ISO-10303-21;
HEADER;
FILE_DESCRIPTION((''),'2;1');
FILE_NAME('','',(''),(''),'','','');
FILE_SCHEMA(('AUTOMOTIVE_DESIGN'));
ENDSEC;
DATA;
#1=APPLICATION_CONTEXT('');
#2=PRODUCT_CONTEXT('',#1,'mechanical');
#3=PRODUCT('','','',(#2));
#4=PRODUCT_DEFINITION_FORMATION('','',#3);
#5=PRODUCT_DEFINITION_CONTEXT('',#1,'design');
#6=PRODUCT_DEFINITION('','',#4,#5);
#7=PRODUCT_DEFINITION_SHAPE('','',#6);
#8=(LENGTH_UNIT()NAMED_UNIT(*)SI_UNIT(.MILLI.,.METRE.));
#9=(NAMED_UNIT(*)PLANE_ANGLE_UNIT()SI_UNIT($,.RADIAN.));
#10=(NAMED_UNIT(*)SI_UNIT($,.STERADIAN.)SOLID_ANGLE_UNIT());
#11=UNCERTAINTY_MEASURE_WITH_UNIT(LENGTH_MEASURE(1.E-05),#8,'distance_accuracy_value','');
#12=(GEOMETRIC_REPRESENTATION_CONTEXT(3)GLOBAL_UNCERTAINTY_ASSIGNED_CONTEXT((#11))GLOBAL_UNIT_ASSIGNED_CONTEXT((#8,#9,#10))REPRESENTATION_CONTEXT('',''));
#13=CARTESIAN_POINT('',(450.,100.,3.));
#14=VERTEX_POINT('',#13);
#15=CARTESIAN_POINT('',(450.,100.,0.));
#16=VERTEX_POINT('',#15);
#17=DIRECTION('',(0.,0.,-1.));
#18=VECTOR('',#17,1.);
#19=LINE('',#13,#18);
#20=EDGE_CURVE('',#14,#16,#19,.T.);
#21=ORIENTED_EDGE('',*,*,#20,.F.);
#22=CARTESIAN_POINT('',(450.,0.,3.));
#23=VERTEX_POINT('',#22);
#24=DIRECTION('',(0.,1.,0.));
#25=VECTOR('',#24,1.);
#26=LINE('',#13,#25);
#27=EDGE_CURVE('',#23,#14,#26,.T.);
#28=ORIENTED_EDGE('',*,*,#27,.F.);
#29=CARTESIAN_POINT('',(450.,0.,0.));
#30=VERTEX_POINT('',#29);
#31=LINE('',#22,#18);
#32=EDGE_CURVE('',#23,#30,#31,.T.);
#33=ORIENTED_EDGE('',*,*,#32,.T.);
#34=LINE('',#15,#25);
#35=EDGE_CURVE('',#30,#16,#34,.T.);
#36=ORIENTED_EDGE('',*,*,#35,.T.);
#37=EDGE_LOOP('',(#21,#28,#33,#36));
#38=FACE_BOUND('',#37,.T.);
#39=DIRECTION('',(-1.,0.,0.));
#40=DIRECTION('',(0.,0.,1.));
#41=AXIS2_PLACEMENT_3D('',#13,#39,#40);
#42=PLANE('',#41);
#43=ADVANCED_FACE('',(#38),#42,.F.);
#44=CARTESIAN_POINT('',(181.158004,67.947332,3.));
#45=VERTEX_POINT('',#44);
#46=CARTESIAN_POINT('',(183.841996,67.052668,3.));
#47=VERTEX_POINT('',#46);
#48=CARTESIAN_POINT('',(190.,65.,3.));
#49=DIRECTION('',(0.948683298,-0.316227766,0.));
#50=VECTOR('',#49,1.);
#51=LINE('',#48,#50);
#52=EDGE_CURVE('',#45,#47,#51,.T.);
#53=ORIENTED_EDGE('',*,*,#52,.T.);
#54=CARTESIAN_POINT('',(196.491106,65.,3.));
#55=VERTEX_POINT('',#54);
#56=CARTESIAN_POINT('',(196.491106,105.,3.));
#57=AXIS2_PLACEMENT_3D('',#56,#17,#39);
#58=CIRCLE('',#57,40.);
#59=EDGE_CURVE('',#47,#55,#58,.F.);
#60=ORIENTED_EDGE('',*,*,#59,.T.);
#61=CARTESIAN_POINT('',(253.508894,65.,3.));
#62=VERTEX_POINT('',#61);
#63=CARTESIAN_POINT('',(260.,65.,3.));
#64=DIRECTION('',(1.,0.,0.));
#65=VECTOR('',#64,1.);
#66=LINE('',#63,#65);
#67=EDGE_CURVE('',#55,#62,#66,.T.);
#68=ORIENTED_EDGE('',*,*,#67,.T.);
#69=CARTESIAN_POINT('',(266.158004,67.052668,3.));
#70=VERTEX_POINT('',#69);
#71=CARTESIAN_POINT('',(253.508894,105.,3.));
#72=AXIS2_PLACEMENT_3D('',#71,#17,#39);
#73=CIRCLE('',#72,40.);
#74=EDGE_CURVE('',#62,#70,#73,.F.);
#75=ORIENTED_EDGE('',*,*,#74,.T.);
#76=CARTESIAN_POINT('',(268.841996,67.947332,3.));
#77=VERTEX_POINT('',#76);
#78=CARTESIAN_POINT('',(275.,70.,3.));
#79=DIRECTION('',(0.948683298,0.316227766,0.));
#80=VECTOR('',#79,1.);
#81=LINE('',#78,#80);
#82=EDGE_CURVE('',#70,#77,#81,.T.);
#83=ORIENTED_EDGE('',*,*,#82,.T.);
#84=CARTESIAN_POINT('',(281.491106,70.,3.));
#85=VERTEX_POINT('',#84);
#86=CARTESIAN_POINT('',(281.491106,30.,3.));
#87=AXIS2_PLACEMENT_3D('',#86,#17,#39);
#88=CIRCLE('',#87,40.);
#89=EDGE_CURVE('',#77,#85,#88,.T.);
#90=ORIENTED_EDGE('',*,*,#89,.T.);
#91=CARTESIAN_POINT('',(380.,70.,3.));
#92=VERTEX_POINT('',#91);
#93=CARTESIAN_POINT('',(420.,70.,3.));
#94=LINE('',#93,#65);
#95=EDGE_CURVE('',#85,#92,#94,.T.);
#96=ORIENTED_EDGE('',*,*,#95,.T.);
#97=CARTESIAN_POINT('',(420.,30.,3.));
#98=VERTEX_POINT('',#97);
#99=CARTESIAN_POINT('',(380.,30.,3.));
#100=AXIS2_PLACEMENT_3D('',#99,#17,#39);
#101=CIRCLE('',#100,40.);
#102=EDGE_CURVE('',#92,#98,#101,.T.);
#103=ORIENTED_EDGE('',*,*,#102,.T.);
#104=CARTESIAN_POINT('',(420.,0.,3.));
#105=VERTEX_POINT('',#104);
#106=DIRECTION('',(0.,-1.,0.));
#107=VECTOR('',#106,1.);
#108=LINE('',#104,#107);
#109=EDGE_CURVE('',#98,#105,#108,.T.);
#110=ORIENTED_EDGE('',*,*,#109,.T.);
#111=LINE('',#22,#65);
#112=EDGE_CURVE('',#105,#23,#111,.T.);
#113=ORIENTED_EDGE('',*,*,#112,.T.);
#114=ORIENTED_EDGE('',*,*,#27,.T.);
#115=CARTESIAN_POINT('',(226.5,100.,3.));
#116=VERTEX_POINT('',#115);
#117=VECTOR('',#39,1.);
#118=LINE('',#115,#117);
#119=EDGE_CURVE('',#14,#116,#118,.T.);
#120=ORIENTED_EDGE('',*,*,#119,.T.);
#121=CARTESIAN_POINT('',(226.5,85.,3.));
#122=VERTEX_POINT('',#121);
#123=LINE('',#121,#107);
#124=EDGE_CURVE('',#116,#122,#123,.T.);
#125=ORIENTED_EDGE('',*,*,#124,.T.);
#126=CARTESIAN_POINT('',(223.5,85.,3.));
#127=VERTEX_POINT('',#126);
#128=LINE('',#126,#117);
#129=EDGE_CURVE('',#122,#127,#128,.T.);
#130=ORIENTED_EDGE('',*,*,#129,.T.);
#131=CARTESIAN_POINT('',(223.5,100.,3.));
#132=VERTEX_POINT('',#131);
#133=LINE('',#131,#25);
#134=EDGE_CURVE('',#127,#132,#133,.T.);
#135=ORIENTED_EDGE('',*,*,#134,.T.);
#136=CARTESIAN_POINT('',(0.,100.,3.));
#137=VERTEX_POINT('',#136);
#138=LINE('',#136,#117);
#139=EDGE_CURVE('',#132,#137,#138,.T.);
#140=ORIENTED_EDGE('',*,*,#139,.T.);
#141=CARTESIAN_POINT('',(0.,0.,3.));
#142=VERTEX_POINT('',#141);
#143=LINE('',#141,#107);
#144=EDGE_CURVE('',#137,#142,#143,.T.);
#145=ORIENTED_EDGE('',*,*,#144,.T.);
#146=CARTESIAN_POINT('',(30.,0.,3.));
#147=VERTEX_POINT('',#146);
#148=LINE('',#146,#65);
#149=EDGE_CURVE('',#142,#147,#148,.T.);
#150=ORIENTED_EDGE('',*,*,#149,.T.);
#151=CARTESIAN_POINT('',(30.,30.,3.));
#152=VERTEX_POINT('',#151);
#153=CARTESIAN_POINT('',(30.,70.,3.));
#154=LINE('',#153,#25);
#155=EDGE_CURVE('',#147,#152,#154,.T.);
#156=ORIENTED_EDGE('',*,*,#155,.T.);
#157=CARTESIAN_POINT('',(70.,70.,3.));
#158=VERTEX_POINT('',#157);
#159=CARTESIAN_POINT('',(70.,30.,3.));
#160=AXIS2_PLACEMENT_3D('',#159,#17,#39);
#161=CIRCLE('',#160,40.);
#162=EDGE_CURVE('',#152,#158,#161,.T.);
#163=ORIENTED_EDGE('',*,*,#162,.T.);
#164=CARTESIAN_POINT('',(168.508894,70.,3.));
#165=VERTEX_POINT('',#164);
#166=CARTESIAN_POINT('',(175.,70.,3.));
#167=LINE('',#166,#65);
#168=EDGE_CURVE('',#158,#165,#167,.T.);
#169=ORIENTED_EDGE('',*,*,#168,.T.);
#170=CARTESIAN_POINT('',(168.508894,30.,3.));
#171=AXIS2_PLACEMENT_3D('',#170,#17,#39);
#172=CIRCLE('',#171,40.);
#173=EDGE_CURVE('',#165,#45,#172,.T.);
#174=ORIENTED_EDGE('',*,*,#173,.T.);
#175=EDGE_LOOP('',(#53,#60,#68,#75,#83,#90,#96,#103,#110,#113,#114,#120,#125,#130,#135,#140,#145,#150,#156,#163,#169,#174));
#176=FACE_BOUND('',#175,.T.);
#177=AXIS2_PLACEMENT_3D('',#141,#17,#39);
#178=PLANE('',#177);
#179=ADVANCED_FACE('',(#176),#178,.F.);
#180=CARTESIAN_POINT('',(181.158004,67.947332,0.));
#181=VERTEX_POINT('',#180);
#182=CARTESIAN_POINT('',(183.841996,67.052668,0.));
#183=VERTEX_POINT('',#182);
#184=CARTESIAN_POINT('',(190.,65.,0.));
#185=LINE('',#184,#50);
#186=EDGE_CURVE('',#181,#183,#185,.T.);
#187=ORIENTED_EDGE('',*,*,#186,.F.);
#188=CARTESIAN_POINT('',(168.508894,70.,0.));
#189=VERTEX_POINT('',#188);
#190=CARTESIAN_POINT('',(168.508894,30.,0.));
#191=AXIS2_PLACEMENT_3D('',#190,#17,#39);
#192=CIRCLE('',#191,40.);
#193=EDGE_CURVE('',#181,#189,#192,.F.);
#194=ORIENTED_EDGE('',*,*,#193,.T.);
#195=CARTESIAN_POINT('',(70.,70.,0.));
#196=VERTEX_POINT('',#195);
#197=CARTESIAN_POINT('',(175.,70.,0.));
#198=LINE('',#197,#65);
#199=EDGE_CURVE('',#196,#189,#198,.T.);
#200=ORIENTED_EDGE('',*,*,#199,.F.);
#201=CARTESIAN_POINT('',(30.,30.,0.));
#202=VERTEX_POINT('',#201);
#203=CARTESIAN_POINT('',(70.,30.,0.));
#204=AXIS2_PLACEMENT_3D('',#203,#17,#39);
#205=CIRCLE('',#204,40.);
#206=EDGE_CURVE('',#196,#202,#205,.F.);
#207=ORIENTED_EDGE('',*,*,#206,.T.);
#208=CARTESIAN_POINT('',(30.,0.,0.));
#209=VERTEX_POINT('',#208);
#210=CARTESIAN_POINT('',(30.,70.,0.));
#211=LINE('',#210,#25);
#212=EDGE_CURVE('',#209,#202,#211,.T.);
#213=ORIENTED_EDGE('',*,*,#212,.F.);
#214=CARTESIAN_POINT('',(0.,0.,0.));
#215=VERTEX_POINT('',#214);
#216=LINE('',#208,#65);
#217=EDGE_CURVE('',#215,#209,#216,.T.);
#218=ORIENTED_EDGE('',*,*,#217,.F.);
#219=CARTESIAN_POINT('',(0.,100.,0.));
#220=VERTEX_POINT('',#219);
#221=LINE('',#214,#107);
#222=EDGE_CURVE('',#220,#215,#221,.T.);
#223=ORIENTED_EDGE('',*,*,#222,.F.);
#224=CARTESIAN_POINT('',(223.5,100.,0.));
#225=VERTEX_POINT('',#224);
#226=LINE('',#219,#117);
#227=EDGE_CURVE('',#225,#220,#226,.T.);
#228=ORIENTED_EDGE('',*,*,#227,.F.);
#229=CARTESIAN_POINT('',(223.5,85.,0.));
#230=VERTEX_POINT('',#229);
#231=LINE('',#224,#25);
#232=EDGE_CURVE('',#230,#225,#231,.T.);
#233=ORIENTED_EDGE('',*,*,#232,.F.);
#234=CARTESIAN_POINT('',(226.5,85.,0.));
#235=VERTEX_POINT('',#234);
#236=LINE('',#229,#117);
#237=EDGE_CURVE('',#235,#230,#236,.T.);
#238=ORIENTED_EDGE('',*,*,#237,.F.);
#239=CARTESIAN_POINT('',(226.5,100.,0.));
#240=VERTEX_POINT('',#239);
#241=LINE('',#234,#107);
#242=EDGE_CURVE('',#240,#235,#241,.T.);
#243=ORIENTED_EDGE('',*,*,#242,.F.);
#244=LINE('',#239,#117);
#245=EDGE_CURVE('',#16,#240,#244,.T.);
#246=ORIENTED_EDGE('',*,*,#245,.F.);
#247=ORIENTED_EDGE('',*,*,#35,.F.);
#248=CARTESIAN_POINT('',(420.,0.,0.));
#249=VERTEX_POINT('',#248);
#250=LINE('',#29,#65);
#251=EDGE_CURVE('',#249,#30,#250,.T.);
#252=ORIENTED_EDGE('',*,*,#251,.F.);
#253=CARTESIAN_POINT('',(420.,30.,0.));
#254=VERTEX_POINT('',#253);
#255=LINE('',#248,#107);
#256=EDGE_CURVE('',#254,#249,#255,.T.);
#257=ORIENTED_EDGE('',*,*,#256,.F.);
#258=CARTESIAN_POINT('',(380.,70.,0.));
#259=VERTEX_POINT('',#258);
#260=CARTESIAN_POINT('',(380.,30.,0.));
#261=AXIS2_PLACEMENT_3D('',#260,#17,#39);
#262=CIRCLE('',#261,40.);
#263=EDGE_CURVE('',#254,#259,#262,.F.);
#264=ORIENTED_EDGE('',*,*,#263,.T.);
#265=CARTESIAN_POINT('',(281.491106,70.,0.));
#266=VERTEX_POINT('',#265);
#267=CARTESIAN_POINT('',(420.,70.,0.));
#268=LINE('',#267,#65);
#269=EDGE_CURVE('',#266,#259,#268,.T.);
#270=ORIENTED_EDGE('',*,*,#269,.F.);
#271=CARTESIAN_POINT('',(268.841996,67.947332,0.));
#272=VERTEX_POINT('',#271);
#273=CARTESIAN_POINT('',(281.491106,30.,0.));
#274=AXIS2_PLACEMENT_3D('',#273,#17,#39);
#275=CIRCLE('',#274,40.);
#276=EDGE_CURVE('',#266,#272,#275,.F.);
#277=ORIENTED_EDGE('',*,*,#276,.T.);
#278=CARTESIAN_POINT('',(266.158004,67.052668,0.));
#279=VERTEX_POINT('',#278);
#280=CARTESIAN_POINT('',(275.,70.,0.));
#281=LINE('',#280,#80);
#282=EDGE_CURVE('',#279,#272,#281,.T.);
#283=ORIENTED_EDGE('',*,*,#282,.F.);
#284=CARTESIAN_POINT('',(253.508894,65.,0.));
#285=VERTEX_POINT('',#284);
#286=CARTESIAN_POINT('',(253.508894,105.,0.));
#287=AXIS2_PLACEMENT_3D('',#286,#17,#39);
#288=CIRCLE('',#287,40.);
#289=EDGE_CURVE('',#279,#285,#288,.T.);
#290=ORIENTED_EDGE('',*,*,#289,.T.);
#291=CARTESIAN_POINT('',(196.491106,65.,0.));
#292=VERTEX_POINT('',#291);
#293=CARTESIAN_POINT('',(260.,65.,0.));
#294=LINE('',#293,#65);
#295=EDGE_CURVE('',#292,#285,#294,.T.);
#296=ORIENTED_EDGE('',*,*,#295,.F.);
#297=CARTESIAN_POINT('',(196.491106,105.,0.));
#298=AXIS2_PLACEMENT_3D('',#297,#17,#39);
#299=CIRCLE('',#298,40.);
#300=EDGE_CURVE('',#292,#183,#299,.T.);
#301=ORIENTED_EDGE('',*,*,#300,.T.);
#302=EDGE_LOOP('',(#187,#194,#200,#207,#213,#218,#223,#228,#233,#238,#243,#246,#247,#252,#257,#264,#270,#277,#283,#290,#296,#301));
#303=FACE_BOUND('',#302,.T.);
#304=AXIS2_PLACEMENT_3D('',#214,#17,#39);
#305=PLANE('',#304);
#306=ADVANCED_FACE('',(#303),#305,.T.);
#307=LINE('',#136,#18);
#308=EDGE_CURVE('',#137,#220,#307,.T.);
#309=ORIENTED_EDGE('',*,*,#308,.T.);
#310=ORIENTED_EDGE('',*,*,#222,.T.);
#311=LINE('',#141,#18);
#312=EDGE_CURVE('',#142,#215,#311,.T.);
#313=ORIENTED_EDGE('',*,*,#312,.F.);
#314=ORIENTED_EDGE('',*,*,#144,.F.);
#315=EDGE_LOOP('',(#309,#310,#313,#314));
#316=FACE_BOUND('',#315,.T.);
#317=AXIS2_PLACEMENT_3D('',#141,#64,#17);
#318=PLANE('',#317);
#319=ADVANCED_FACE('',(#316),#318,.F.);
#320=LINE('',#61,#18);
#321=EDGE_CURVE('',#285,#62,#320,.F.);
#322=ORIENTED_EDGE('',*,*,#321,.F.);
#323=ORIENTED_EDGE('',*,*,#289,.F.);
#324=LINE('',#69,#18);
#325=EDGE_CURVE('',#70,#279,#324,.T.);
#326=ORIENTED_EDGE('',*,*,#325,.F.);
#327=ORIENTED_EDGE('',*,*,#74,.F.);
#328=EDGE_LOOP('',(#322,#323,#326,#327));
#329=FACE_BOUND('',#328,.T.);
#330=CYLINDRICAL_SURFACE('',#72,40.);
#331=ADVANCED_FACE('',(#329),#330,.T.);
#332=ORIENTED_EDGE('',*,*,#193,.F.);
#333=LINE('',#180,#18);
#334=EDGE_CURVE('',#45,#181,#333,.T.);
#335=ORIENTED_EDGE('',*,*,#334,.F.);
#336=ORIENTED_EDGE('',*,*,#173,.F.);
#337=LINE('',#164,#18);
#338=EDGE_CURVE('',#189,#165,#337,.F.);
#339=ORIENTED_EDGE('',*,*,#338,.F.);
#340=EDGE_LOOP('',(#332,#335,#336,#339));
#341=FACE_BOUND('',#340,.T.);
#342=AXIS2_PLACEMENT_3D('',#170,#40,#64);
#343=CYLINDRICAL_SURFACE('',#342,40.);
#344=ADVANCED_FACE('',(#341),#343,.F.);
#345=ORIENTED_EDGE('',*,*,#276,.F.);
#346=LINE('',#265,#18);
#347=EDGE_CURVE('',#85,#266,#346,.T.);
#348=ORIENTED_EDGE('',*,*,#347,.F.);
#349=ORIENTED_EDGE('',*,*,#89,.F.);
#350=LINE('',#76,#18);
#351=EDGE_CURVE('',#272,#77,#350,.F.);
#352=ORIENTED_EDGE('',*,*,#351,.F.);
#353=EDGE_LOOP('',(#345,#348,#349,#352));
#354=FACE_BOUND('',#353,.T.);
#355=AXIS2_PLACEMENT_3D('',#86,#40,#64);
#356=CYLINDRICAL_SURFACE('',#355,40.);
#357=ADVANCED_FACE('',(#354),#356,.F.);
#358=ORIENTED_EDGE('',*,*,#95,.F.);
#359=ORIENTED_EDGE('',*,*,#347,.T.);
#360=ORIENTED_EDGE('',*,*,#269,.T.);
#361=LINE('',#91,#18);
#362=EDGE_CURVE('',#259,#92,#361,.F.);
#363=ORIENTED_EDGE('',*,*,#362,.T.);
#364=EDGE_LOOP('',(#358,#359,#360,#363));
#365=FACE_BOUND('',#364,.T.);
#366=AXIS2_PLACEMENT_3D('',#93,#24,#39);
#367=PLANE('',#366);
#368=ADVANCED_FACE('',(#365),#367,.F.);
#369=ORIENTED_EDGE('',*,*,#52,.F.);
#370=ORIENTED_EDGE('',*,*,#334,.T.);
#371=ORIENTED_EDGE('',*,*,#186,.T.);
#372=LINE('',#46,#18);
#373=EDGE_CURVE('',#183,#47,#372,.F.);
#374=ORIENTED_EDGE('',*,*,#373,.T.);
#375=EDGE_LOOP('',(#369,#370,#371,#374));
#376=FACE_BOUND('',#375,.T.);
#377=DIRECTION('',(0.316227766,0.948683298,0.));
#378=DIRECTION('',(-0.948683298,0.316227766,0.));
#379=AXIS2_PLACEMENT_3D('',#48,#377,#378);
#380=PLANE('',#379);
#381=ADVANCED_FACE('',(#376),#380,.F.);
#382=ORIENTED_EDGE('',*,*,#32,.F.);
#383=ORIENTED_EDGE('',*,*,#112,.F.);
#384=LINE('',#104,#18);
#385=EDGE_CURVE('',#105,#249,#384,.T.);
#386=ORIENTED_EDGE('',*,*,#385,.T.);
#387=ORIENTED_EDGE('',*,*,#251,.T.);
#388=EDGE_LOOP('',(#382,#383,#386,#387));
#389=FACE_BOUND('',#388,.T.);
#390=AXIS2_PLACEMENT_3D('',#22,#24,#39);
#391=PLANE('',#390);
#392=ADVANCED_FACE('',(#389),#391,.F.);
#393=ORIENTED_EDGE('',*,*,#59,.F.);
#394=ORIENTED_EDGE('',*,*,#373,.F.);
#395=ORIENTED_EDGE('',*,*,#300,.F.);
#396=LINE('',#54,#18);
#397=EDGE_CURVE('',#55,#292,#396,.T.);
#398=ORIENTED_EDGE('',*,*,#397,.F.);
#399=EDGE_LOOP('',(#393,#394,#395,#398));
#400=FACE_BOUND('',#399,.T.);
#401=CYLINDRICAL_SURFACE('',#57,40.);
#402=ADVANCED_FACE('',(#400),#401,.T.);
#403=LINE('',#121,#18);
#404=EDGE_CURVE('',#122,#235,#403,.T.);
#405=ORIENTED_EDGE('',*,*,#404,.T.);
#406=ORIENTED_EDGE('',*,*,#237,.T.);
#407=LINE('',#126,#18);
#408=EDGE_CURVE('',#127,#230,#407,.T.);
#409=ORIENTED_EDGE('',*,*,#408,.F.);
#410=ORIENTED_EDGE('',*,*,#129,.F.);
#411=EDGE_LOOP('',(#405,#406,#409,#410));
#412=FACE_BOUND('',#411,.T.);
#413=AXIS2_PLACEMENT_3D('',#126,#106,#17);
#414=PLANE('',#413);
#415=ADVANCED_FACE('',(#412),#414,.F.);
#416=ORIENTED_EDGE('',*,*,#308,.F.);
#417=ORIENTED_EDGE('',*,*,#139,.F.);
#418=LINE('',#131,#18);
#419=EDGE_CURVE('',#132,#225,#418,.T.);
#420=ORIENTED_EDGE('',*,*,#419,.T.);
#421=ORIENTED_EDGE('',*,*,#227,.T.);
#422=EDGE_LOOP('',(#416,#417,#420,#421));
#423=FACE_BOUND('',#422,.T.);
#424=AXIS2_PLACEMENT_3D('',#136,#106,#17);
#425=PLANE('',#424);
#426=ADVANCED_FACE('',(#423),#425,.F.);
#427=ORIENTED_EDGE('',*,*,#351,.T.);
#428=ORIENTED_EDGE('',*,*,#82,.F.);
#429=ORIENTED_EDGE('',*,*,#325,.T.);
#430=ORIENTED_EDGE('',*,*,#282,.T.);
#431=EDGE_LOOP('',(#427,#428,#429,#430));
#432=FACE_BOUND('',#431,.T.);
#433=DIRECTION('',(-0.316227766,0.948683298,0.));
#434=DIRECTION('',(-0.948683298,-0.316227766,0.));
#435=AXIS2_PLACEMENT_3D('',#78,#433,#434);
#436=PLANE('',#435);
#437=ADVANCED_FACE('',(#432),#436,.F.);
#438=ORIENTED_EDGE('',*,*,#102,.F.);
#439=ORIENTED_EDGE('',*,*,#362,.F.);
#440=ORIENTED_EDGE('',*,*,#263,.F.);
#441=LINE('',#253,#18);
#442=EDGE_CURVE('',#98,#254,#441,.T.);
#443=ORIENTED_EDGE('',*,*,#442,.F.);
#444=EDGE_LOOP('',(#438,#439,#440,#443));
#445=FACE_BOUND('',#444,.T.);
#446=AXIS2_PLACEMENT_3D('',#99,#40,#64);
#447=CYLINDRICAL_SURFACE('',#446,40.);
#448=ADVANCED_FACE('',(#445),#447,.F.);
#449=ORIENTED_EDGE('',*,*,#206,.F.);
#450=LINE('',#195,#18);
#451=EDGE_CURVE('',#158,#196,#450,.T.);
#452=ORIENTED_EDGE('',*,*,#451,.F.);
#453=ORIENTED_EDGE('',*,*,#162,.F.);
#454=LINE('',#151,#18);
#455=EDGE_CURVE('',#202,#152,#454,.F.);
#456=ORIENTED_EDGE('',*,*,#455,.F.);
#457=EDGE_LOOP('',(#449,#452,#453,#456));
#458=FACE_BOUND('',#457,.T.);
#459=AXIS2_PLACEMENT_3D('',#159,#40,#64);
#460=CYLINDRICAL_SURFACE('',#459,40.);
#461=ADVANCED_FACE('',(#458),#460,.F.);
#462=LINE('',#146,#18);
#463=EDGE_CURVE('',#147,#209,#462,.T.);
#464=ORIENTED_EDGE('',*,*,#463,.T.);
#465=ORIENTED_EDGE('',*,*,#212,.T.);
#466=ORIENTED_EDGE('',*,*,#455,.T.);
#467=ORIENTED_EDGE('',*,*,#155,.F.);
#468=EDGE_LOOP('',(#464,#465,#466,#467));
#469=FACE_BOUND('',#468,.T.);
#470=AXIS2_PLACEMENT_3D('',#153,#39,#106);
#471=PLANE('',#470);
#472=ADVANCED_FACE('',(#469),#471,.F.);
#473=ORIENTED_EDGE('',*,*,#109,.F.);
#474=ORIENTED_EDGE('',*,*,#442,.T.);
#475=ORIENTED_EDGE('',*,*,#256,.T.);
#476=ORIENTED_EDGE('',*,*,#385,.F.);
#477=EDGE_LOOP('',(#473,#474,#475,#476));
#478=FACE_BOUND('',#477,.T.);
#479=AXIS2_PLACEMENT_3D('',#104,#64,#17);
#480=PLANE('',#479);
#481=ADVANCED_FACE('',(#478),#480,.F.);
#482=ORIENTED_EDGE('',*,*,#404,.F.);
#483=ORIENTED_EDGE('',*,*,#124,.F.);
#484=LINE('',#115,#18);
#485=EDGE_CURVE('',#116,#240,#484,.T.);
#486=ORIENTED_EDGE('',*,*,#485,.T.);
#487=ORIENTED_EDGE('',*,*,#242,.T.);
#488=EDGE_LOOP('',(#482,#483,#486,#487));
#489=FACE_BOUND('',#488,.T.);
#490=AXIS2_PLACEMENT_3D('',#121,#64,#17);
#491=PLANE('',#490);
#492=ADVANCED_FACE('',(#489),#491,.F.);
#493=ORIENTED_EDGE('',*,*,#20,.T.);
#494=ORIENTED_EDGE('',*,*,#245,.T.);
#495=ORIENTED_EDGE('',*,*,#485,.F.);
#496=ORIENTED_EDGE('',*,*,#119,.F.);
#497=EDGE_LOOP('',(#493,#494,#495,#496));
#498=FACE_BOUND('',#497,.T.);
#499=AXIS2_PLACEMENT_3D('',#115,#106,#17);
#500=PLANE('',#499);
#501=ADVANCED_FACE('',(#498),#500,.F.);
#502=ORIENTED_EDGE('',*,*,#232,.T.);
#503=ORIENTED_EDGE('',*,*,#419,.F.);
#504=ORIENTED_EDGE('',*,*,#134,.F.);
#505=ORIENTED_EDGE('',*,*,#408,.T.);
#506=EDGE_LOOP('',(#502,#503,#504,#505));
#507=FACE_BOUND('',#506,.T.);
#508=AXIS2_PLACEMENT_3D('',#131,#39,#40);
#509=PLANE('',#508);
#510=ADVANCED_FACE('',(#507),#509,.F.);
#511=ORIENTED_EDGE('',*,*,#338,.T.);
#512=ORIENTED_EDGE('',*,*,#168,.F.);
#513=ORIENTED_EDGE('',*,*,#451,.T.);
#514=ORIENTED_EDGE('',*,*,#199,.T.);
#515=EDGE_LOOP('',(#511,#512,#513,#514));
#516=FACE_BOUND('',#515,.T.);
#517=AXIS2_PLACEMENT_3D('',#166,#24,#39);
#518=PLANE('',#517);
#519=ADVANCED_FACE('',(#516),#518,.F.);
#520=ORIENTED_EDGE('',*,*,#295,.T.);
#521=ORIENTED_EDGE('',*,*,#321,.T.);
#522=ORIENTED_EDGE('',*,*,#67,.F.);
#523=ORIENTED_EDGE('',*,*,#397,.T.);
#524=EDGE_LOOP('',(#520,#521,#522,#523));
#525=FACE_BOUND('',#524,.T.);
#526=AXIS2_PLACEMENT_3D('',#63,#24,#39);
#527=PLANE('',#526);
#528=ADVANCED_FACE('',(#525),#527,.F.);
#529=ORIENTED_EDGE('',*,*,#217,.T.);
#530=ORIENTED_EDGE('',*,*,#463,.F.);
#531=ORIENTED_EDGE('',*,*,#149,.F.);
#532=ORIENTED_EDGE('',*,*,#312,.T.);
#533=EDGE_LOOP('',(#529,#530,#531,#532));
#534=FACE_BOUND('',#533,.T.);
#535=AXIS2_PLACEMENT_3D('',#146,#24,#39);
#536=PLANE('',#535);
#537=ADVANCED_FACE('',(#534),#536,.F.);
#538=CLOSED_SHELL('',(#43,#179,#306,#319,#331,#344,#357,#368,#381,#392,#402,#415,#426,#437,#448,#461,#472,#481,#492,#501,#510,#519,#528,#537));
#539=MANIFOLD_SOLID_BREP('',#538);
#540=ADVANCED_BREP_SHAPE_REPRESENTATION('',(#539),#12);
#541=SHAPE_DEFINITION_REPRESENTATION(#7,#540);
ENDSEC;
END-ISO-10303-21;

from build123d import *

# Parameters (mm, degrees)
BOSS_EXTRUDE1_DEPTH = 3
FILLET1_R           = 40


with BuildPart() as part:
    # Sketch1 → Boss-Extrude1 (new body)
    with BuildSketch(Plane.XY):
        Polygon((0, 0), (0, 100), (223.5, 100), (223.5, 85), (226.5, 85), (226.5, 100), (450, 100), (450, 0), (420, 0), (420, 70), (275, 70), (260, 65), (190, 65), (175, 70), (30, 70), (30, 0), align=None)
    extrude(amount=BOSS_EXTRUDE1_DEPTH)

    # Fillet1
    fillet1_edges = [part.edges().sort_by_distance(p)[0] for p in [
        (420, 70, 1.5),
        (275, 70, 1.5),
        (260, 65, 1.5),
        (190, 65, 1.5),
        (175, 70, 1.5),
        (30, 70, 1.5),
    ]]
    fillet(fillet1_edges, radius=FILLET1_R)


solid = part.part
